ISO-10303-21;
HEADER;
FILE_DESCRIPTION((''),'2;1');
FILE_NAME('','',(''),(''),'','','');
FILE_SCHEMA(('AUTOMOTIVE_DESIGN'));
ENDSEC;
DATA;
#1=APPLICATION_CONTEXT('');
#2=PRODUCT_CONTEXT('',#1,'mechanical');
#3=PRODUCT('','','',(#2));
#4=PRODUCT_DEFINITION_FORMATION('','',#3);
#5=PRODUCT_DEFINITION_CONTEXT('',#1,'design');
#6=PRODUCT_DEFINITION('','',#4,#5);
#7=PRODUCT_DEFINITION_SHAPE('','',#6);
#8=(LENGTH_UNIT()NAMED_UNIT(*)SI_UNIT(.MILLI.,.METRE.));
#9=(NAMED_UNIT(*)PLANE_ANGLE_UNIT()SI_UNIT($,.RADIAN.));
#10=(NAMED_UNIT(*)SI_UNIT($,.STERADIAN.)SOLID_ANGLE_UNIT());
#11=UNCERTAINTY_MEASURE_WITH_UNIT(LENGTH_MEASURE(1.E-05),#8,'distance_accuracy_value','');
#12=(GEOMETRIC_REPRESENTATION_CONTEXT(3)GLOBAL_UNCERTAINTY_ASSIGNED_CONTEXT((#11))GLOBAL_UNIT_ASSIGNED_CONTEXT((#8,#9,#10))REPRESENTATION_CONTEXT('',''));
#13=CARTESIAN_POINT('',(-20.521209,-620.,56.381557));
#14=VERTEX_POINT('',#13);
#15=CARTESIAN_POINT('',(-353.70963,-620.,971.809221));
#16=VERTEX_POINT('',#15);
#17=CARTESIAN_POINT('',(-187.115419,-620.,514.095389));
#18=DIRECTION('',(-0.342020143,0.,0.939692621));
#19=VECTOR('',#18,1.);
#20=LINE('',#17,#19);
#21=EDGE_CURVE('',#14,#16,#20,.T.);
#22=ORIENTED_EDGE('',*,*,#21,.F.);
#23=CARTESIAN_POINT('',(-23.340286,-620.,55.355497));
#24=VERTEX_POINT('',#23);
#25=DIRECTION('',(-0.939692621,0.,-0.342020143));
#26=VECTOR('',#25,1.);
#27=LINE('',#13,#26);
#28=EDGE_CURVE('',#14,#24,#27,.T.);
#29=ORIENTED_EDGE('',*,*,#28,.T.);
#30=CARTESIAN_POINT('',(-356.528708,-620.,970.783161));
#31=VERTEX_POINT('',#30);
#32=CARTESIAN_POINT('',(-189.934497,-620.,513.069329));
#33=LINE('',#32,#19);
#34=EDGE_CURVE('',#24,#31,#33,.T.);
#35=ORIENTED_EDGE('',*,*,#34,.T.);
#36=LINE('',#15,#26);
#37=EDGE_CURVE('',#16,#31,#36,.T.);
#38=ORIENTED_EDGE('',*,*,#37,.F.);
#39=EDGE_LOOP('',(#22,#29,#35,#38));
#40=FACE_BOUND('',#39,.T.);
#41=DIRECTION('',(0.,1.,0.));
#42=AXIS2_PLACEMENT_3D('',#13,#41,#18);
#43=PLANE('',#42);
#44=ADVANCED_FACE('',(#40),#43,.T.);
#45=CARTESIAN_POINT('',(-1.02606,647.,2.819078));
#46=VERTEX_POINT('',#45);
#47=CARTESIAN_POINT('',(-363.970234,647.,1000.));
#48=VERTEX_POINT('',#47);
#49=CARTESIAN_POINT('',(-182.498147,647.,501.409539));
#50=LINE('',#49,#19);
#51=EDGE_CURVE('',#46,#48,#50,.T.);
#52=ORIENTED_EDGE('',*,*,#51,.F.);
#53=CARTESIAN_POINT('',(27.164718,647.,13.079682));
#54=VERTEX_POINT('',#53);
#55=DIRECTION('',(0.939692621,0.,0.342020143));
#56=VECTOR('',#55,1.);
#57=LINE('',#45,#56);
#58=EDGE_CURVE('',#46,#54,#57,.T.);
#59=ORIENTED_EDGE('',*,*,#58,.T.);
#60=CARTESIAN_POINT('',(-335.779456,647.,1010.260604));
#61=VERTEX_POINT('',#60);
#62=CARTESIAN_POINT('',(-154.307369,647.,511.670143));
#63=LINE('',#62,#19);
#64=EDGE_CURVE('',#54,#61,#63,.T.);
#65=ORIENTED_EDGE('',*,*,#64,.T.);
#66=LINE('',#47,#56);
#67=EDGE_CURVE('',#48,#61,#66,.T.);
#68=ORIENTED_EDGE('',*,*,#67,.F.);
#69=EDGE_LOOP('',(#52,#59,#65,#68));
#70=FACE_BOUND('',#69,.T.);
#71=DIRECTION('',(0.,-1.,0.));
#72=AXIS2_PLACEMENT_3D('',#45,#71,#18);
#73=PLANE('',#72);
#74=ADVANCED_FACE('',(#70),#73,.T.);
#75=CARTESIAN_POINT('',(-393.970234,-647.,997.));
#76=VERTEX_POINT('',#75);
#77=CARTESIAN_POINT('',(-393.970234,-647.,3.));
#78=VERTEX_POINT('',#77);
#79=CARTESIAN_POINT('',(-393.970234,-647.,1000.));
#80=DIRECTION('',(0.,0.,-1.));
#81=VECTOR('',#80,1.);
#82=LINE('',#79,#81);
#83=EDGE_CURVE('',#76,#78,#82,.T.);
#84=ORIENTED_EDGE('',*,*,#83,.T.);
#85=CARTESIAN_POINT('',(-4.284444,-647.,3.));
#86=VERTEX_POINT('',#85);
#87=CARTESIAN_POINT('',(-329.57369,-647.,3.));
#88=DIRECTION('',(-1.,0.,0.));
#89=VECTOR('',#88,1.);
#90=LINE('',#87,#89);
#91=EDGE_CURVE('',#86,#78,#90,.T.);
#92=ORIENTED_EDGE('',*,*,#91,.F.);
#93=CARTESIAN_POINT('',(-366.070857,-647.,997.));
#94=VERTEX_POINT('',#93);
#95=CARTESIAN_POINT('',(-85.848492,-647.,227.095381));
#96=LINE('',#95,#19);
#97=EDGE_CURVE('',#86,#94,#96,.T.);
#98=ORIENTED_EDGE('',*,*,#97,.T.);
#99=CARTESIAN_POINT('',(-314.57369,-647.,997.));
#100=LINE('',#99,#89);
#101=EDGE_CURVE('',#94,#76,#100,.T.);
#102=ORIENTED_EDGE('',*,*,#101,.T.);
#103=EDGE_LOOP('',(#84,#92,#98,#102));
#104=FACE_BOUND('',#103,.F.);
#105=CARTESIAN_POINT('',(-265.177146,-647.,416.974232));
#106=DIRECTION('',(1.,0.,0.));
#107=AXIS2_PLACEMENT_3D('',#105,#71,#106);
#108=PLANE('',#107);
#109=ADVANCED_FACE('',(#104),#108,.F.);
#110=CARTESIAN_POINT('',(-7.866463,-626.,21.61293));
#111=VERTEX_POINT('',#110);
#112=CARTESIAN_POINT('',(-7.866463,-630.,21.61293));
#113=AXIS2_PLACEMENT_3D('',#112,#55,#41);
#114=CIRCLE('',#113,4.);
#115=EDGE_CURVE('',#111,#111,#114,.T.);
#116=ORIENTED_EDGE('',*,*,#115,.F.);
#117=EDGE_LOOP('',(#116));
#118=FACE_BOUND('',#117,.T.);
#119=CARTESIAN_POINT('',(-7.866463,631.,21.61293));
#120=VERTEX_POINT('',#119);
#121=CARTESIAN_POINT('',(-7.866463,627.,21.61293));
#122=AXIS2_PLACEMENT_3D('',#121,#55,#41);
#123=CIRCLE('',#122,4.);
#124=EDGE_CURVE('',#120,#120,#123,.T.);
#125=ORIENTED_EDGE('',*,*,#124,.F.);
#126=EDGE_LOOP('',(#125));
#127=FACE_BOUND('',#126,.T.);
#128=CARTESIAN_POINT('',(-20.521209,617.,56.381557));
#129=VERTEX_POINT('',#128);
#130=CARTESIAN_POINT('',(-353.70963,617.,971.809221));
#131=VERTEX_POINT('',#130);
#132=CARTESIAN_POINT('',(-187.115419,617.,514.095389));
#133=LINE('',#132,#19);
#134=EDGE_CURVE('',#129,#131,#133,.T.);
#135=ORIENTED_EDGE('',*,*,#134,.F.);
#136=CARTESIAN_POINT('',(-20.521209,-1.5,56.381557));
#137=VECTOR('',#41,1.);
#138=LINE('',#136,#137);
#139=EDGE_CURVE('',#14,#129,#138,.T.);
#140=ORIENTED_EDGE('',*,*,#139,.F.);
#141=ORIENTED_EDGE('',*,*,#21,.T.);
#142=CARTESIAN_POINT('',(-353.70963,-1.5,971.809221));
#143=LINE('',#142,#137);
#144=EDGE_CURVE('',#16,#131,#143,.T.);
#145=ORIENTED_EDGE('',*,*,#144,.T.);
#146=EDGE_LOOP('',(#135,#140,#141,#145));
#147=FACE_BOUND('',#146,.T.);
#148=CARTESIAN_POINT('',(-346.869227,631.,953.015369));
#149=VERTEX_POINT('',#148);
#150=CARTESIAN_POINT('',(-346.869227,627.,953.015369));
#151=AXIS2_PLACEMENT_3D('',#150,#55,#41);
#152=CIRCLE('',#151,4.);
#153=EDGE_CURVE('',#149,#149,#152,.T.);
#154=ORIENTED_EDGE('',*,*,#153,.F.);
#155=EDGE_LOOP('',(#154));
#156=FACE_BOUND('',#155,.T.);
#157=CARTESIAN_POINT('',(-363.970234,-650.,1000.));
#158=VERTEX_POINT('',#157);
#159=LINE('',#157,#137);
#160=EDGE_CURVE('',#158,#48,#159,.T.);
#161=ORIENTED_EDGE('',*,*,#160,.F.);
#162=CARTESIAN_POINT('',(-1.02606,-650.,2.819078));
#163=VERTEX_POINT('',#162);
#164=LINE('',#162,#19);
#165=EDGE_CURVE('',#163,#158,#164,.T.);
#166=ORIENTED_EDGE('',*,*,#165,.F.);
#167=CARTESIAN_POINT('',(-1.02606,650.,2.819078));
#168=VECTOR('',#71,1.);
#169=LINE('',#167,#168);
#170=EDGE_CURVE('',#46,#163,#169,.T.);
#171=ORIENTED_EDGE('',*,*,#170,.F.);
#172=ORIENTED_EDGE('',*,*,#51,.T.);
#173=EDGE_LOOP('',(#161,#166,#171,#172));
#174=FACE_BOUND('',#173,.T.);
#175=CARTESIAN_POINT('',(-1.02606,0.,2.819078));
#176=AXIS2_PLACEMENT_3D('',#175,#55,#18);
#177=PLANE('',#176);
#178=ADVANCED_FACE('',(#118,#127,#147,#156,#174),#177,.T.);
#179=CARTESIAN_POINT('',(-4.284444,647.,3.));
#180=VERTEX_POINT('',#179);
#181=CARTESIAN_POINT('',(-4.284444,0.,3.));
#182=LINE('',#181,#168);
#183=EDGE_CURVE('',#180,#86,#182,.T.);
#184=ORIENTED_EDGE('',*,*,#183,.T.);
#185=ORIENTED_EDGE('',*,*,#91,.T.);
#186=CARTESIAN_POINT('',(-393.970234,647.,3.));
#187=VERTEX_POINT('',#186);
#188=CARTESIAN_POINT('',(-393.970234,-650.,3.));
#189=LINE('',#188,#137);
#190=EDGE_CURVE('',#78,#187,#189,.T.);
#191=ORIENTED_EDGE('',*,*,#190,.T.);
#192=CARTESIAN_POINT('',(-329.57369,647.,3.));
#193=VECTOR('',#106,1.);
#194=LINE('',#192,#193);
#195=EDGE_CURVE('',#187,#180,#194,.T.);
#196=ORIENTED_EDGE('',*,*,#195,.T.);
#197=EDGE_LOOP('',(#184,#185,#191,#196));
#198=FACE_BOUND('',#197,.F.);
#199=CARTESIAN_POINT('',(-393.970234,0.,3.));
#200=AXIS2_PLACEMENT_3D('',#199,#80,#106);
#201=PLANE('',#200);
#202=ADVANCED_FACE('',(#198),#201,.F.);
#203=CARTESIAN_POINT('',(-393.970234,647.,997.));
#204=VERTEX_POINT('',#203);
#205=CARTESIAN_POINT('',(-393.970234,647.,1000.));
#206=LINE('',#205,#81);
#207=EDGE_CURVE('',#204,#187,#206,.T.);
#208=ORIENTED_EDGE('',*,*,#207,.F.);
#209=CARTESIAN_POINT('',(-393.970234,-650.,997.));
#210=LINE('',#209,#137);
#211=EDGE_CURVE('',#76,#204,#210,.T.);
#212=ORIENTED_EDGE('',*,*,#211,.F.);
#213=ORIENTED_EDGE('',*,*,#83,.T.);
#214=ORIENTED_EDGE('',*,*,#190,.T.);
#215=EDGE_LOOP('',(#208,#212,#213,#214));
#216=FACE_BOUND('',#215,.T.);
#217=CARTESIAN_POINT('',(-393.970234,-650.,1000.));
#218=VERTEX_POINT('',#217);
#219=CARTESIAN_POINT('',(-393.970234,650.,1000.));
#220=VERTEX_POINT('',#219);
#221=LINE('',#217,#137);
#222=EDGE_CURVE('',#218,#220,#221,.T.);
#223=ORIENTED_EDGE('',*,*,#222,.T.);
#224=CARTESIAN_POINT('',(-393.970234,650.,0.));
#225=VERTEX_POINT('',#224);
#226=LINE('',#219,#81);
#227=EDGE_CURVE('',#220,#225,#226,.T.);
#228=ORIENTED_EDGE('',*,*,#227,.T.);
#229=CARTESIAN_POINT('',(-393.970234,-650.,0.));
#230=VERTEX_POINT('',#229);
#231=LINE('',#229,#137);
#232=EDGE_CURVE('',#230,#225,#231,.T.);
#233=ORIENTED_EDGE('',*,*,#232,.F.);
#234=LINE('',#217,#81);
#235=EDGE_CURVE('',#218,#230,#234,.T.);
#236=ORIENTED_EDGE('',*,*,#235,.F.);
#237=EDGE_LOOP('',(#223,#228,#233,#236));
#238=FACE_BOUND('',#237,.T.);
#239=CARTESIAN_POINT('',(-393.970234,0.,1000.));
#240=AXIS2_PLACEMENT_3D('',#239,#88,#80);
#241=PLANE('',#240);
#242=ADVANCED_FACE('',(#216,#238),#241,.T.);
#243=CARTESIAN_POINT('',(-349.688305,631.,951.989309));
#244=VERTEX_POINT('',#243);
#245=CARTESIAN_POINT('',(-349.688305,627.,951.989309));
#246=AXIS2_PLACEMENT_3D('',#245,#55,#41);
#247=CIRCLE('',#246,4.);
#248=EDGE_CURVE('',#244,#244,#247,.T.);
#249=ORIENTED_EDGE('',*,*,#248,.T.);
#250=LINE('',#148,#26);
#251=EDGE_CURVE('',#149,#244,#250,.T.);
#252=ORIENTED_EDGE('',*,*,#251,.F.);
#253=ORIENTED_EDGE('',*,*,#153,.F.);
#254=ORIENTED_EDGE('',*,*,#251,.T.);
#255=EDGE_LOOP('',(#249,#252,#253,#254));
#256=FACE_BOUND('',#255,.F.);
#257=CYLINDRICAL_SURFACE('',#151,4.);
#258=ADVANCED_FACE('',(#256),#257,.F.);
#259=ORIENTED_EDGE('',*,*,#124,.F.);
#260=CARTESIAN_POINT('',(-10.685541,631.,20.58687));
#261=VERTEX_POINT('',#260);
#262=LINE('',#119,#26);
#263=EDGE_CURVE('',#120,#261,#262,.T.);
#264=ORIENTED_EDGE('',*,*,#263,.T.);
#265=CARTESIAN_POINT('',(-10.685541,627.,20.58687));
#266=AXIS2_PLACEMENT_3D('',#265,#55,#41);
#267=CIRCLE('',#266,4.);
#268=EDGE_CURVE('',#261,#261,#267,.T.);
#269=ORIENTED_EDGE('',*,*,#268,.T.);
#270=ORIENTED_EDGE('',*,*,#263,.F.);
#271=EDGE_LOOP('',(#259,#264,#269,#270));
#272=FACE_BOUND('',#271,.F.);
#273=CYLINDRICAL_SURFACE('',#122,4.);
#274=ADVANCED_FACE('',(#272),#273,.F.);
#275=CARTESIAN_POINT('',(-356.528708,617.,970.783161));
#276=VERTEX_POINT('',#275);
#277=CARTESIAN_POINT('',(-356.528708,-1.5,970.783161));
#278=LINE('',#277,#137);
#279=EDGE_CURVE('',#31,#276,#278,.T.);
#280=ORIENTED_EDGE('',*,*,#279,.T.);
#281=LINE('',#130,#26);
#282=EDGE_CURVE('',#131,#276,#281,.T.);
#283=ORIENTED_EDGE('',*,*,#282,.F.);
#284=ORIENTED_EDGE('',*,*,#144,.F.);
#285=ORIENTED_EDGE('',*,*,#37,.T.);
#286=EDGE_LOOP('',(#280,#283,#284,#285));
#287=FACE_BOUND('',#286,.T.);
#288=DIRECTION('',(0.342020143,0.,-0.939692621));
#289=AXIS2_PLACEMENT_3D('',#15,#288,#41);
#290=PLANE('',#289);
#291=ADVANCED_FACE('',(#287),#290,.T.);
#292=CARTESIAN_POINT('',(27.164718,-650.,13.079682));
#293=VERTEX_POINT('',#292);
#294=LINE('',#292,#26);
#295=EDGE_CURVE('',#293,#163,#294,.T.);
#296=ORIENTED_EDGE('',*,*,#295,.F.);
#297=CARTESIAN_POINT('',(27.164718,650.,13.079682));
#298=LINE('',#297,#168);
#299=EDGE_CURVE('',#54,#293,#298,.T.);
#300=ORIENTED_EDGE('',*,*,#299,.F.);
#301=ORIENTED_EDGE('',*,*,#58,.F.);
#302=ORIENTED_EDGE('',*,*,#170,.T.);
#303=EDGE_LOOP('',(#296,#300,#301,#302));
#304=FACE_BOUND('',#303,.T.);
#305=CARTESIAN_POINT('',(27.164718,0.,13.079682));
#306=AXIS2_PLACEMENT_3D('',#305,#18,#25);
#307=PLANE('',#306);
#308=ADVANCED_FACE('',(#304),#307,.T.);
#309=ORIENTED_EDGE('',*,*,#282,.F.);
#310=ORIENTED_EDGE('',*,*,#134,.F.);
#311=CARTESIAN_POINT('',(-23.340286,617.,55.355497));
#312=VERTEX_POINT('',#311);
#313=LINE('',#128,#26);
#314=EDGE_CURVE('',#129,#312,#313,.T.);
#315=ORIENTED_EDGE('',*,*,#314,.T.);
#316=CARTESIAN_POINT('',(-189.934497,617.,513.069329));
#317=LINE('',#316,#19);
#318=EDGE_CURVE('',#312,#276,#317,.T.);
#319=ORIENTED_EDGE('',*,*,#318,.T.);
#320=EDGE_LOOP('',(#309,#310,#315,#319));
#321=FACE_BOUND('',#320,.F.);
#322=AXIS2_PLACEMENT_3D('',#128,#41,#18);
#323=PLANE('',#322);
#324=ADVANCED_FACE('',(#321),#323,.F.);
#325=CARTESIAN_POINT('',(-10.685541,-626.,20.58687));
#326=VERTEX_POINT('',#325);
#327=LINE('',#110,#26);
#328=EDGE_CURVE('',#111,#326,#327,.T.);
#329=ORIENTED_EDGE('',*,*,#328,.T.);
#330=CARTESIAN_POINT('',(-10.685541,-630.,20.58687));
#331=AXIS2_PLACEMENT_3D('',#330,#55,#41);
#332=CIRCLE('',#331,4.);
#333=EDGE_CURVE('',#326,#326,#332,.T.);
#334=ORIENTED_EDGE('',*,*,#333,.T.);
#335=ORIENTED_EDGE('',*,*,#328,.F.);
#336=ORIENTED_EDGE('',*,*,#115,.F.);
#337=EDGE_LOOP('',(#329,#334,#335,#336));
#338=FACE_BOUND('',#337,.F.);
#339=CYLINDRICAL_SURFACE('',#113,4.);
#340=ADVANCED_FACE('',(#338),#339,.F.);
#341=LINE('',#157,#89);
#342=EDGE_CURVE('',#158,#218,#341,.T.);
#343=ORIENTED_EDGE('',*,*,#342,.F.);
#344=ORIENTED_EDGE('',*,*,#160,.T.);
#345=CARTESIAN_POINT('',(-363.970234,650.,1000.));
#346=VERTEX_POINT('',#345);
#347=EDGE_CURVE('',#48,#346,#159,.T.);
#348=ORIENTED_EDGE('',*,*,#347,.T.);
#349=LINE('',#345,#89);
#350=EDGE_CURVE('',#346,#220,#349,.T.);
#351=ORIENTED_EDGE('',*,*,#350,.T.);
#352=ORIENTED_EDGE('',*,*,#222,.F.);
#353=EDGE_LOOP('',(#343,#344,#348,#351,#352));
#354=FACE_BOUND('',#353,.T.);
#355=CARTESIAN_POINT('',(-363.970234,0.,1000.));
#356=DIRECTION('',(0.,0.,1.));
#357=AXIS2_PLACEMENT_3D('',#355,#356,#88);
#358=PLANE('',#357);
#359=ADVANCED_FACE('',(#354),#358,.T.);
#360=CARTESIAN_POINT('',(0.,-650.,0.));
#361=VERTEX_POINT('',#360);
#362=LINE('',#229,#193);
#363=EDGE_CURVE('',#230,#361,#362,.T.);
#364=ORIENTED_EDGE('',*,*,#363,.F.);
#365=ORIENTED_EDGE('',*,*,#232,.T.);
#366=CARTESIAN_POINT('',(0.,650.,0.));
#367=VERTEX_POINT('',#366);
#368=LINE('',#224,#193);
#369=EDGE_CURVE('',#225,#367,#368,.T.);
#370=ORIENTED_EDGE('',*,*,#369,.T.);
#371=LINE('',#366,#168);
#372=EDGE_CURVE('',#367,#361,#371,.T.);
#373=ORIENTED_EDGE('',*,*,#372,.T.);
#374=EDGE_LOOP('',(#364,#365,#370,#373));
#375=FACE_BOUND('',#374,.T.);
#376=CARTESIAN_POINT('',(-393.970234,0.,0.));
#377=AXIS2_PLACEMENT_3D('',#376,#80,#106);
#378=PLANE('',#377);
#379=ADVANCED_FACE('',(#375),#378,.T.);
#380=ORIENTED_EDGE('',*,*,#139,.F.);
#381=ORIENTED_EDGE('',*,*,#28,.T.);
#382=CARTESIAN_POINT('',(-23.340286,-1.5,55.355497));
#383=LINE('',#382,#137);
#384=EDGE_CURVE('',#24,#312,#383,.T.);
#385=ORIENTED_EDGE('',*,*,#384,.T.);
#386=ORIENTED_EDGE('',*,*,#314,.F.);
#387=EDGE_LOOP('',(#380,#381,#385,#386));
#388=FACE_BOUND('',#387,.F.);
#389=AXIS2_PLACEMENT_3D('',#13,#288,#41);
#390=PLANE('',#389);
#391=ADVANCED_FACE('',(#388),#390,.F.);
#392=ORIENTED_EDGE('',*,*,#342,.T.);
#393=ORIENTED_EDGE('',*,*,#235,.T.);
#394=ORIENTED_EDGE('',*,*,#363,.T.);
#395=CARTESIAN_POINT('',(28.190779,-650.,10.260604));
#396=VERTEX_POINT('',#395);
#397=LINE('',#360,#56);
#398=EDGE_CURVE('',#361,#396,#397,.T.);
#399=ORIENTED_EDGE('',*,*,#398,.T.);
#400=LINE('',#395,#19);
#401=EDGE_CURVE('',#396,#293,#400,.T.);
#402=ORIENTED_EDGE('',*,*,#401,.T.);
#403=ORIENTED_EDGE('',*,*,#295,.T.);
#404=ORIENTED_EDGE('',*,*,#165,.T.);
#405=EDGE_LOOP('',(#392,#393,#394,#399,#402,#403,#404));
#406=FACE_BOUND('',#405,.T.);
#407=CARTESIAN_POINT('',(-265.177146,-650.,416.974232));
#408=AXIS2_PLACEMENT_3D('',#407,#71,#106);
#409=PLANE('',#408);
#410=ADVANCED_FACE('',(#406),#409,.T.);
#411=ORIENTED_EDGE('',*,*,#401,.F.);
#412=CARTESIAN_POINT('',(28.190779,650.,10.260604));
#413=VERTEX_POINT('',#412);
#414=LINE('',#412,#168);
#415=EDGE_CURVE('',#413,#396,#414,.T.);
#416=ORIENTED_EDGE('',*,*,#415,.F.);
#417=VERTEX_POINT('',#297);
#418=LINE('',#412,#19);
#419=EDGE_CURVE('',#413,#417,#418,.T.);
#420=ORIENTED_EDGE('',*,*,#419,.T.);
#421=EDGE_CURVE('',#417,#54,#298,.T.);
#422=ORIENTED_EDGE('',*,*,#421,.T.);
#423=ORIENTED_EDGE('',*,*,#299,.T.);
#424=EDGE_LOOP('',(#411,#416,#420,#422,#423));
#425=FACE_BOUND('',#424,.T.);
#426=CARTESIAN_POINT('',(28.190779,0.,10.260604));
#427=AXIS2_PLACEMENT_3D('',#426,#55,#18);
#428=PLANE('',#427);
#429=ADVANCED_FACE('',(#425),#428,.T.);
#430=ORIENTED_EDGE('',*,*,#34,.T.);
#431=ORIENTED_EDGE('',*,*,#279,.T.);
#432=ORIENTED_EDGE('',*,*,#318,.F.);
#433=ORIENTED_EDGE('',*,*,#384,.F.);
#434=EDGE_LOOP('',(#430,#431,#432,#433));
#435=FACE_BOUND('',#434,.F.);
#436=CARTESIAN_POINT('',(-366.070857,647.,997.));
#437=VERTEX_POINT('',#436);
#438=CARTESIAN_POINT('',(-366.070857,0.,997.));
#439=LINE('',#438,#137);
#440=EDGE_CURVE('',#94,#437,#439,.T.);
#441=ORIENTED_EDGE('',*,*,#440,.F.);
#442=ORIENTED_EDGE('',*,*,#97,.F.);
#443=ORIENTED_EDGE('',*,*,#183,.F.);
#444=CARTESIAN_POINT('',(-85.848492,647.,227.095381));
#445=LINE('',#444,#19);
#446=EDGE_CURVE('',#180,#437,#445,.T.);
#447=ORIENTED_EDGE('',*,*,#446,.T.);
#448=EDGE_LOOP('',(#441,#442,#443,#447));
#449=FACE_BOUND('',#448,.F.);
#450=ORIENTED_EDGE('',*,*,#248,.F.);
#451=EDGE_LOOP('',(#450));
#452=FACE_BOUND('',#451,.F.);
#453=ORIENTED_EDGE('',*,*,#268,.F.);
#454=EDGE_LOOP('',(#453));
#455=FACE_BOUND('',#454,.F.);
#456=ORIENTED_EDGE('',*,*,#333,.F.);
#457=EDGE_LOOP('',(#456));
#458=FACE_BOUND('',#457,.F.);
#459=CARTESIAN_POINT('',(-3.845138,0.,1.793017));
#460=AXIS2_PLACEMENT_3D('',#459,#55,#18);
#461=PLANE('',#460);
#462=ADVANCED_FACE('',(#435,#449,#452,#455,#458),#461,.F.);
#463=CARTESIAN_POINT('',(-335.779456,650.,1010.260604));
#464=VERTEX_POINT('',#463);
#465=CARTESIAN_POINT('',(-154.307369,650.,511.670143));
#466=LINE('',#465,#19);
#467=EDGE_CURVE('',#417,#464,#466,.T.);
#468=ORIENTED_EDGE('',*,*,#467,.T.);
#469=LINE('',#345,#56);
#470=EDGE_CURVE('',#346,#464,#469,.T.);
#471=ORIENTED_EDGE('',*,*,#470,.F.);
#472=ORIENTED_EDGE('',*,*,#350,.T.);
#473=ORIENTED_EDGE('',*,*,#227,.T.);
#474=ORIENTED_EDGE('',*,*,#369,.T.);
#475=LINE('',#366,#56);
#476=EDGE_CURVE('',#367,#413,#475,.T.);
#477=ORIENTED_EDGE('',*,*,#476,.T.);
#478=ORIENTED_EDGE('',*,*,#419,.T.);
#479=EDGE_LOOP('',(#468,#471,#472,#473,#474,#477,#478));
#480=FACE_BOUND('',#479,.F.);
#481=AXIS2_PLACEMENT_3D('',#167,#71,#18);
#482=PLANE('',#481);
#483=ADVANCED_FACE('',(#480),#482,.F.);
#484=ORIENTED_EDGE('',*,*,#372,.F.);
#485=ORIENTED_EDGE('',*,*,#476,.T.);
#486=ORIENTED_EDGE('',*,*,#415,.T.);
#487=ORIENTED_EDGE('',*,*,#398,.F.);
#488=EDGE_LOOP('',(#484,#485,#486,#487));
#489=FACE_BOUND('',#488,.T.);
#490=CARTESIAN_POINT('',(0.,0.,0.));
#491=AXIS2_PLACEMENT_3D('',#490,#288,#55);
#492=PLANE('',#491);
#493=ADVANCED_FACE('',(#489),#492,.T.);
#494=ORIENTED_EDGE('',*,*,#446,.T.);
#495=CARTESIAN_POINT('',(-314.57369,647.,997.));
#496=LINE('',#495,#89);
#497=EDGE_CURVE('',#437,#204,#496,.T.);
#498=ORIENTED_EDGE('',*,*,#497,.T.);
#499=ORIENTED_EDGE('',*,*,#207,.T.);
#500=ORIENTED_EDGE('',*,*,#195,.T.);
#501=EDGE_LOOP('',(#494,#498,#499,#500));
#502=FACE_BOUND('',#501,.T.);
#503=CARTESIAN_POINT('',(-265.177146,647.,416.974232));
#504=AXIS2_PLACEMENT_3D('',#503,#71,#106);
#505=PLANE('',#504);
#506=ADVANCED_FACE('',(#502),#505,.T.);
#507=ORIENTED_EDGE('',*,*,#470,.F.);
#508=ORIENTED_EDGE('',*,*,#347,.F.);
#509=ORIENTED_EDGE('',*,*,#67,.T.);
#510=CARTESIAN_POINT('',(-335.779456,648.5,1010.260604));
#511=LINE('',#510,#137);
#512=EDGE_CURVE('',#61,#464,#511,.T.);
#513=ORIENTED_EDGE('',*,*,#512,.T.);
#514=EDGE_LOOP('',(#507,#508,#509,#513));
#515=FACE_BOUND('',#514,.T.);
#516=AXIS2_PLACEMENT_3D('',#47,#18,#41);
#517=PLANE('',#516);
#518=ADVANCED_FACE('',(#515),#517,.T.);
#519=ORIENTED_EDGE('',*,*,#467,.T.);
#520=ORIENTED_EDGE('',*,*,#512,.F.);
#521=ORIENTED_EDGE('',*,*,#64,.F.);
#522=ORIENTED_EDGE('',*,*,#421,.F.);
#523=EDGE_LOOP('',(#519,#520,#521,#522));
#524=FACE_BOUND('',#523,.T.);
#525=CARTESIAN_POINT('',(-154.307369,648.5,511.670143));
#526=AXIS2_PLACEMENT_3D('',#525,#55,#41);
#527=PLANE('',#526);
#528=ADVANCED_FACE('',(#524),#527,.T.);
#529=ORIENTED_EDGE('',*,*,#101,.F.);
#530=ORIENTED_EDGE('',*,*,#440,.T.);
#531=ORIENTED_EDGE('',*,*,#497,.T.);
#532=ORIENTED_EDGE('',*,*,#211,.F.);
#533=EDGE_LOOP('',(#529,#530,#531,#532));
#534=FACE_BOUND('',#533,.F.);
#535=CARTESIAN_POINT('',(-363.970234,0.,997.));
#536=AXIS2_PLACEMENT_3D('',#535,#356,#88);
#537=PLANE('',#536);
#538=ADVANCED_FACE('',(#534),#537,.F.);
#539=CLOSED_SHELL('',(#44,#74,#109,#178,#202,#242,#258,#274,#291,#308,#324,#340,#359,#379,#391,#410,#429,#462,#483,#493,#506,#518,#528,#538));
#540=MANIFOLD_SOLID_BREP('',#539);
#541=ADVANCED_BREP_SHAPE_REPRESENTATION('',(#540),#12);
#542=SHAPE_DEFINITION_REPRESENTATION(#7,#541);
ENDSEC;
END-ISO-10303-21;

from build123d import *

# Parameters (mm, degrees)
F1_DEPTH = 650
F2_T     = -3
F3_W     = 1237
F3_H     = 974.1777724759
F4_DEPTH = 3
F5_W     = 3
F5_H     = 1061.1777724759
F6_DEPTH = 30
F7_R     = 4
F8_DEPTH = 25


with BuildPart() as f1:
    # F0 (on Front) → F1 (new body, symmetric)
    with BuildSketch(Plane.XZ):
        Polygon((-393.9702342662, 0), (0, 0), (28.1907786236, 10.2606042998), (27.1647181936, 13.0796821621), (-1.02606043, 2.8190778624), (-363.9702342662, 1000), (-393.9702342662, 1000), align=None)
    extrude(amount=F1_DEPTH, both=True)

    # F2
    f2_openings = [f1.faces().sort_by_distance(p)[0] for p in [
        (-393.970234, 0, 500),
    ]]
    offset(amount=F2_T, openings=f2_openings)

    # F3 (on face) → F4 (cut)
    with BuildSketch(Plane(origin=(0, 0, 0), x_dir=(0, 1, 0), z_dir=(0.9396926208, 0, 0.3420201433))):
        with Locations((-1.5, 547.088886238)):
            Rectangle(F3_W, F3_H)
    extrude(amount=-F4_DEPTH, mode=Mode.SUBTRACT)

    # F5 (on face) → F6 (join)
    with BuildSketch(Plane(origin=(0, 0, 0), x_dir=(0, 1, 0), z_dir=(0.9396926208, 0, 0.3420201433))):
        with Locations((648.5, 533.588886238)):
            Rectangle(F5_W, F5_H)
    extrude(amount=F6_DEPTH)

    # F7 (on face) → F8 (cut)
    with BuildSketch(Plane(origin=(0, 0, 0), x_dir=(0, 1, 0), z_dir=(0.9396926208, 0, 0.3420201433))):
        with Locations((627, 23)):
            Circle(F7_R)
        with Locations((-630, 23)):
            Circle(F7_R)
        with Locations((627, 1014.1777724759)):
            Circle(F7_R)
    extrude(amount=-F8_DEPTH, mode=Mode.SUBTRACT)


solid = f1.part
